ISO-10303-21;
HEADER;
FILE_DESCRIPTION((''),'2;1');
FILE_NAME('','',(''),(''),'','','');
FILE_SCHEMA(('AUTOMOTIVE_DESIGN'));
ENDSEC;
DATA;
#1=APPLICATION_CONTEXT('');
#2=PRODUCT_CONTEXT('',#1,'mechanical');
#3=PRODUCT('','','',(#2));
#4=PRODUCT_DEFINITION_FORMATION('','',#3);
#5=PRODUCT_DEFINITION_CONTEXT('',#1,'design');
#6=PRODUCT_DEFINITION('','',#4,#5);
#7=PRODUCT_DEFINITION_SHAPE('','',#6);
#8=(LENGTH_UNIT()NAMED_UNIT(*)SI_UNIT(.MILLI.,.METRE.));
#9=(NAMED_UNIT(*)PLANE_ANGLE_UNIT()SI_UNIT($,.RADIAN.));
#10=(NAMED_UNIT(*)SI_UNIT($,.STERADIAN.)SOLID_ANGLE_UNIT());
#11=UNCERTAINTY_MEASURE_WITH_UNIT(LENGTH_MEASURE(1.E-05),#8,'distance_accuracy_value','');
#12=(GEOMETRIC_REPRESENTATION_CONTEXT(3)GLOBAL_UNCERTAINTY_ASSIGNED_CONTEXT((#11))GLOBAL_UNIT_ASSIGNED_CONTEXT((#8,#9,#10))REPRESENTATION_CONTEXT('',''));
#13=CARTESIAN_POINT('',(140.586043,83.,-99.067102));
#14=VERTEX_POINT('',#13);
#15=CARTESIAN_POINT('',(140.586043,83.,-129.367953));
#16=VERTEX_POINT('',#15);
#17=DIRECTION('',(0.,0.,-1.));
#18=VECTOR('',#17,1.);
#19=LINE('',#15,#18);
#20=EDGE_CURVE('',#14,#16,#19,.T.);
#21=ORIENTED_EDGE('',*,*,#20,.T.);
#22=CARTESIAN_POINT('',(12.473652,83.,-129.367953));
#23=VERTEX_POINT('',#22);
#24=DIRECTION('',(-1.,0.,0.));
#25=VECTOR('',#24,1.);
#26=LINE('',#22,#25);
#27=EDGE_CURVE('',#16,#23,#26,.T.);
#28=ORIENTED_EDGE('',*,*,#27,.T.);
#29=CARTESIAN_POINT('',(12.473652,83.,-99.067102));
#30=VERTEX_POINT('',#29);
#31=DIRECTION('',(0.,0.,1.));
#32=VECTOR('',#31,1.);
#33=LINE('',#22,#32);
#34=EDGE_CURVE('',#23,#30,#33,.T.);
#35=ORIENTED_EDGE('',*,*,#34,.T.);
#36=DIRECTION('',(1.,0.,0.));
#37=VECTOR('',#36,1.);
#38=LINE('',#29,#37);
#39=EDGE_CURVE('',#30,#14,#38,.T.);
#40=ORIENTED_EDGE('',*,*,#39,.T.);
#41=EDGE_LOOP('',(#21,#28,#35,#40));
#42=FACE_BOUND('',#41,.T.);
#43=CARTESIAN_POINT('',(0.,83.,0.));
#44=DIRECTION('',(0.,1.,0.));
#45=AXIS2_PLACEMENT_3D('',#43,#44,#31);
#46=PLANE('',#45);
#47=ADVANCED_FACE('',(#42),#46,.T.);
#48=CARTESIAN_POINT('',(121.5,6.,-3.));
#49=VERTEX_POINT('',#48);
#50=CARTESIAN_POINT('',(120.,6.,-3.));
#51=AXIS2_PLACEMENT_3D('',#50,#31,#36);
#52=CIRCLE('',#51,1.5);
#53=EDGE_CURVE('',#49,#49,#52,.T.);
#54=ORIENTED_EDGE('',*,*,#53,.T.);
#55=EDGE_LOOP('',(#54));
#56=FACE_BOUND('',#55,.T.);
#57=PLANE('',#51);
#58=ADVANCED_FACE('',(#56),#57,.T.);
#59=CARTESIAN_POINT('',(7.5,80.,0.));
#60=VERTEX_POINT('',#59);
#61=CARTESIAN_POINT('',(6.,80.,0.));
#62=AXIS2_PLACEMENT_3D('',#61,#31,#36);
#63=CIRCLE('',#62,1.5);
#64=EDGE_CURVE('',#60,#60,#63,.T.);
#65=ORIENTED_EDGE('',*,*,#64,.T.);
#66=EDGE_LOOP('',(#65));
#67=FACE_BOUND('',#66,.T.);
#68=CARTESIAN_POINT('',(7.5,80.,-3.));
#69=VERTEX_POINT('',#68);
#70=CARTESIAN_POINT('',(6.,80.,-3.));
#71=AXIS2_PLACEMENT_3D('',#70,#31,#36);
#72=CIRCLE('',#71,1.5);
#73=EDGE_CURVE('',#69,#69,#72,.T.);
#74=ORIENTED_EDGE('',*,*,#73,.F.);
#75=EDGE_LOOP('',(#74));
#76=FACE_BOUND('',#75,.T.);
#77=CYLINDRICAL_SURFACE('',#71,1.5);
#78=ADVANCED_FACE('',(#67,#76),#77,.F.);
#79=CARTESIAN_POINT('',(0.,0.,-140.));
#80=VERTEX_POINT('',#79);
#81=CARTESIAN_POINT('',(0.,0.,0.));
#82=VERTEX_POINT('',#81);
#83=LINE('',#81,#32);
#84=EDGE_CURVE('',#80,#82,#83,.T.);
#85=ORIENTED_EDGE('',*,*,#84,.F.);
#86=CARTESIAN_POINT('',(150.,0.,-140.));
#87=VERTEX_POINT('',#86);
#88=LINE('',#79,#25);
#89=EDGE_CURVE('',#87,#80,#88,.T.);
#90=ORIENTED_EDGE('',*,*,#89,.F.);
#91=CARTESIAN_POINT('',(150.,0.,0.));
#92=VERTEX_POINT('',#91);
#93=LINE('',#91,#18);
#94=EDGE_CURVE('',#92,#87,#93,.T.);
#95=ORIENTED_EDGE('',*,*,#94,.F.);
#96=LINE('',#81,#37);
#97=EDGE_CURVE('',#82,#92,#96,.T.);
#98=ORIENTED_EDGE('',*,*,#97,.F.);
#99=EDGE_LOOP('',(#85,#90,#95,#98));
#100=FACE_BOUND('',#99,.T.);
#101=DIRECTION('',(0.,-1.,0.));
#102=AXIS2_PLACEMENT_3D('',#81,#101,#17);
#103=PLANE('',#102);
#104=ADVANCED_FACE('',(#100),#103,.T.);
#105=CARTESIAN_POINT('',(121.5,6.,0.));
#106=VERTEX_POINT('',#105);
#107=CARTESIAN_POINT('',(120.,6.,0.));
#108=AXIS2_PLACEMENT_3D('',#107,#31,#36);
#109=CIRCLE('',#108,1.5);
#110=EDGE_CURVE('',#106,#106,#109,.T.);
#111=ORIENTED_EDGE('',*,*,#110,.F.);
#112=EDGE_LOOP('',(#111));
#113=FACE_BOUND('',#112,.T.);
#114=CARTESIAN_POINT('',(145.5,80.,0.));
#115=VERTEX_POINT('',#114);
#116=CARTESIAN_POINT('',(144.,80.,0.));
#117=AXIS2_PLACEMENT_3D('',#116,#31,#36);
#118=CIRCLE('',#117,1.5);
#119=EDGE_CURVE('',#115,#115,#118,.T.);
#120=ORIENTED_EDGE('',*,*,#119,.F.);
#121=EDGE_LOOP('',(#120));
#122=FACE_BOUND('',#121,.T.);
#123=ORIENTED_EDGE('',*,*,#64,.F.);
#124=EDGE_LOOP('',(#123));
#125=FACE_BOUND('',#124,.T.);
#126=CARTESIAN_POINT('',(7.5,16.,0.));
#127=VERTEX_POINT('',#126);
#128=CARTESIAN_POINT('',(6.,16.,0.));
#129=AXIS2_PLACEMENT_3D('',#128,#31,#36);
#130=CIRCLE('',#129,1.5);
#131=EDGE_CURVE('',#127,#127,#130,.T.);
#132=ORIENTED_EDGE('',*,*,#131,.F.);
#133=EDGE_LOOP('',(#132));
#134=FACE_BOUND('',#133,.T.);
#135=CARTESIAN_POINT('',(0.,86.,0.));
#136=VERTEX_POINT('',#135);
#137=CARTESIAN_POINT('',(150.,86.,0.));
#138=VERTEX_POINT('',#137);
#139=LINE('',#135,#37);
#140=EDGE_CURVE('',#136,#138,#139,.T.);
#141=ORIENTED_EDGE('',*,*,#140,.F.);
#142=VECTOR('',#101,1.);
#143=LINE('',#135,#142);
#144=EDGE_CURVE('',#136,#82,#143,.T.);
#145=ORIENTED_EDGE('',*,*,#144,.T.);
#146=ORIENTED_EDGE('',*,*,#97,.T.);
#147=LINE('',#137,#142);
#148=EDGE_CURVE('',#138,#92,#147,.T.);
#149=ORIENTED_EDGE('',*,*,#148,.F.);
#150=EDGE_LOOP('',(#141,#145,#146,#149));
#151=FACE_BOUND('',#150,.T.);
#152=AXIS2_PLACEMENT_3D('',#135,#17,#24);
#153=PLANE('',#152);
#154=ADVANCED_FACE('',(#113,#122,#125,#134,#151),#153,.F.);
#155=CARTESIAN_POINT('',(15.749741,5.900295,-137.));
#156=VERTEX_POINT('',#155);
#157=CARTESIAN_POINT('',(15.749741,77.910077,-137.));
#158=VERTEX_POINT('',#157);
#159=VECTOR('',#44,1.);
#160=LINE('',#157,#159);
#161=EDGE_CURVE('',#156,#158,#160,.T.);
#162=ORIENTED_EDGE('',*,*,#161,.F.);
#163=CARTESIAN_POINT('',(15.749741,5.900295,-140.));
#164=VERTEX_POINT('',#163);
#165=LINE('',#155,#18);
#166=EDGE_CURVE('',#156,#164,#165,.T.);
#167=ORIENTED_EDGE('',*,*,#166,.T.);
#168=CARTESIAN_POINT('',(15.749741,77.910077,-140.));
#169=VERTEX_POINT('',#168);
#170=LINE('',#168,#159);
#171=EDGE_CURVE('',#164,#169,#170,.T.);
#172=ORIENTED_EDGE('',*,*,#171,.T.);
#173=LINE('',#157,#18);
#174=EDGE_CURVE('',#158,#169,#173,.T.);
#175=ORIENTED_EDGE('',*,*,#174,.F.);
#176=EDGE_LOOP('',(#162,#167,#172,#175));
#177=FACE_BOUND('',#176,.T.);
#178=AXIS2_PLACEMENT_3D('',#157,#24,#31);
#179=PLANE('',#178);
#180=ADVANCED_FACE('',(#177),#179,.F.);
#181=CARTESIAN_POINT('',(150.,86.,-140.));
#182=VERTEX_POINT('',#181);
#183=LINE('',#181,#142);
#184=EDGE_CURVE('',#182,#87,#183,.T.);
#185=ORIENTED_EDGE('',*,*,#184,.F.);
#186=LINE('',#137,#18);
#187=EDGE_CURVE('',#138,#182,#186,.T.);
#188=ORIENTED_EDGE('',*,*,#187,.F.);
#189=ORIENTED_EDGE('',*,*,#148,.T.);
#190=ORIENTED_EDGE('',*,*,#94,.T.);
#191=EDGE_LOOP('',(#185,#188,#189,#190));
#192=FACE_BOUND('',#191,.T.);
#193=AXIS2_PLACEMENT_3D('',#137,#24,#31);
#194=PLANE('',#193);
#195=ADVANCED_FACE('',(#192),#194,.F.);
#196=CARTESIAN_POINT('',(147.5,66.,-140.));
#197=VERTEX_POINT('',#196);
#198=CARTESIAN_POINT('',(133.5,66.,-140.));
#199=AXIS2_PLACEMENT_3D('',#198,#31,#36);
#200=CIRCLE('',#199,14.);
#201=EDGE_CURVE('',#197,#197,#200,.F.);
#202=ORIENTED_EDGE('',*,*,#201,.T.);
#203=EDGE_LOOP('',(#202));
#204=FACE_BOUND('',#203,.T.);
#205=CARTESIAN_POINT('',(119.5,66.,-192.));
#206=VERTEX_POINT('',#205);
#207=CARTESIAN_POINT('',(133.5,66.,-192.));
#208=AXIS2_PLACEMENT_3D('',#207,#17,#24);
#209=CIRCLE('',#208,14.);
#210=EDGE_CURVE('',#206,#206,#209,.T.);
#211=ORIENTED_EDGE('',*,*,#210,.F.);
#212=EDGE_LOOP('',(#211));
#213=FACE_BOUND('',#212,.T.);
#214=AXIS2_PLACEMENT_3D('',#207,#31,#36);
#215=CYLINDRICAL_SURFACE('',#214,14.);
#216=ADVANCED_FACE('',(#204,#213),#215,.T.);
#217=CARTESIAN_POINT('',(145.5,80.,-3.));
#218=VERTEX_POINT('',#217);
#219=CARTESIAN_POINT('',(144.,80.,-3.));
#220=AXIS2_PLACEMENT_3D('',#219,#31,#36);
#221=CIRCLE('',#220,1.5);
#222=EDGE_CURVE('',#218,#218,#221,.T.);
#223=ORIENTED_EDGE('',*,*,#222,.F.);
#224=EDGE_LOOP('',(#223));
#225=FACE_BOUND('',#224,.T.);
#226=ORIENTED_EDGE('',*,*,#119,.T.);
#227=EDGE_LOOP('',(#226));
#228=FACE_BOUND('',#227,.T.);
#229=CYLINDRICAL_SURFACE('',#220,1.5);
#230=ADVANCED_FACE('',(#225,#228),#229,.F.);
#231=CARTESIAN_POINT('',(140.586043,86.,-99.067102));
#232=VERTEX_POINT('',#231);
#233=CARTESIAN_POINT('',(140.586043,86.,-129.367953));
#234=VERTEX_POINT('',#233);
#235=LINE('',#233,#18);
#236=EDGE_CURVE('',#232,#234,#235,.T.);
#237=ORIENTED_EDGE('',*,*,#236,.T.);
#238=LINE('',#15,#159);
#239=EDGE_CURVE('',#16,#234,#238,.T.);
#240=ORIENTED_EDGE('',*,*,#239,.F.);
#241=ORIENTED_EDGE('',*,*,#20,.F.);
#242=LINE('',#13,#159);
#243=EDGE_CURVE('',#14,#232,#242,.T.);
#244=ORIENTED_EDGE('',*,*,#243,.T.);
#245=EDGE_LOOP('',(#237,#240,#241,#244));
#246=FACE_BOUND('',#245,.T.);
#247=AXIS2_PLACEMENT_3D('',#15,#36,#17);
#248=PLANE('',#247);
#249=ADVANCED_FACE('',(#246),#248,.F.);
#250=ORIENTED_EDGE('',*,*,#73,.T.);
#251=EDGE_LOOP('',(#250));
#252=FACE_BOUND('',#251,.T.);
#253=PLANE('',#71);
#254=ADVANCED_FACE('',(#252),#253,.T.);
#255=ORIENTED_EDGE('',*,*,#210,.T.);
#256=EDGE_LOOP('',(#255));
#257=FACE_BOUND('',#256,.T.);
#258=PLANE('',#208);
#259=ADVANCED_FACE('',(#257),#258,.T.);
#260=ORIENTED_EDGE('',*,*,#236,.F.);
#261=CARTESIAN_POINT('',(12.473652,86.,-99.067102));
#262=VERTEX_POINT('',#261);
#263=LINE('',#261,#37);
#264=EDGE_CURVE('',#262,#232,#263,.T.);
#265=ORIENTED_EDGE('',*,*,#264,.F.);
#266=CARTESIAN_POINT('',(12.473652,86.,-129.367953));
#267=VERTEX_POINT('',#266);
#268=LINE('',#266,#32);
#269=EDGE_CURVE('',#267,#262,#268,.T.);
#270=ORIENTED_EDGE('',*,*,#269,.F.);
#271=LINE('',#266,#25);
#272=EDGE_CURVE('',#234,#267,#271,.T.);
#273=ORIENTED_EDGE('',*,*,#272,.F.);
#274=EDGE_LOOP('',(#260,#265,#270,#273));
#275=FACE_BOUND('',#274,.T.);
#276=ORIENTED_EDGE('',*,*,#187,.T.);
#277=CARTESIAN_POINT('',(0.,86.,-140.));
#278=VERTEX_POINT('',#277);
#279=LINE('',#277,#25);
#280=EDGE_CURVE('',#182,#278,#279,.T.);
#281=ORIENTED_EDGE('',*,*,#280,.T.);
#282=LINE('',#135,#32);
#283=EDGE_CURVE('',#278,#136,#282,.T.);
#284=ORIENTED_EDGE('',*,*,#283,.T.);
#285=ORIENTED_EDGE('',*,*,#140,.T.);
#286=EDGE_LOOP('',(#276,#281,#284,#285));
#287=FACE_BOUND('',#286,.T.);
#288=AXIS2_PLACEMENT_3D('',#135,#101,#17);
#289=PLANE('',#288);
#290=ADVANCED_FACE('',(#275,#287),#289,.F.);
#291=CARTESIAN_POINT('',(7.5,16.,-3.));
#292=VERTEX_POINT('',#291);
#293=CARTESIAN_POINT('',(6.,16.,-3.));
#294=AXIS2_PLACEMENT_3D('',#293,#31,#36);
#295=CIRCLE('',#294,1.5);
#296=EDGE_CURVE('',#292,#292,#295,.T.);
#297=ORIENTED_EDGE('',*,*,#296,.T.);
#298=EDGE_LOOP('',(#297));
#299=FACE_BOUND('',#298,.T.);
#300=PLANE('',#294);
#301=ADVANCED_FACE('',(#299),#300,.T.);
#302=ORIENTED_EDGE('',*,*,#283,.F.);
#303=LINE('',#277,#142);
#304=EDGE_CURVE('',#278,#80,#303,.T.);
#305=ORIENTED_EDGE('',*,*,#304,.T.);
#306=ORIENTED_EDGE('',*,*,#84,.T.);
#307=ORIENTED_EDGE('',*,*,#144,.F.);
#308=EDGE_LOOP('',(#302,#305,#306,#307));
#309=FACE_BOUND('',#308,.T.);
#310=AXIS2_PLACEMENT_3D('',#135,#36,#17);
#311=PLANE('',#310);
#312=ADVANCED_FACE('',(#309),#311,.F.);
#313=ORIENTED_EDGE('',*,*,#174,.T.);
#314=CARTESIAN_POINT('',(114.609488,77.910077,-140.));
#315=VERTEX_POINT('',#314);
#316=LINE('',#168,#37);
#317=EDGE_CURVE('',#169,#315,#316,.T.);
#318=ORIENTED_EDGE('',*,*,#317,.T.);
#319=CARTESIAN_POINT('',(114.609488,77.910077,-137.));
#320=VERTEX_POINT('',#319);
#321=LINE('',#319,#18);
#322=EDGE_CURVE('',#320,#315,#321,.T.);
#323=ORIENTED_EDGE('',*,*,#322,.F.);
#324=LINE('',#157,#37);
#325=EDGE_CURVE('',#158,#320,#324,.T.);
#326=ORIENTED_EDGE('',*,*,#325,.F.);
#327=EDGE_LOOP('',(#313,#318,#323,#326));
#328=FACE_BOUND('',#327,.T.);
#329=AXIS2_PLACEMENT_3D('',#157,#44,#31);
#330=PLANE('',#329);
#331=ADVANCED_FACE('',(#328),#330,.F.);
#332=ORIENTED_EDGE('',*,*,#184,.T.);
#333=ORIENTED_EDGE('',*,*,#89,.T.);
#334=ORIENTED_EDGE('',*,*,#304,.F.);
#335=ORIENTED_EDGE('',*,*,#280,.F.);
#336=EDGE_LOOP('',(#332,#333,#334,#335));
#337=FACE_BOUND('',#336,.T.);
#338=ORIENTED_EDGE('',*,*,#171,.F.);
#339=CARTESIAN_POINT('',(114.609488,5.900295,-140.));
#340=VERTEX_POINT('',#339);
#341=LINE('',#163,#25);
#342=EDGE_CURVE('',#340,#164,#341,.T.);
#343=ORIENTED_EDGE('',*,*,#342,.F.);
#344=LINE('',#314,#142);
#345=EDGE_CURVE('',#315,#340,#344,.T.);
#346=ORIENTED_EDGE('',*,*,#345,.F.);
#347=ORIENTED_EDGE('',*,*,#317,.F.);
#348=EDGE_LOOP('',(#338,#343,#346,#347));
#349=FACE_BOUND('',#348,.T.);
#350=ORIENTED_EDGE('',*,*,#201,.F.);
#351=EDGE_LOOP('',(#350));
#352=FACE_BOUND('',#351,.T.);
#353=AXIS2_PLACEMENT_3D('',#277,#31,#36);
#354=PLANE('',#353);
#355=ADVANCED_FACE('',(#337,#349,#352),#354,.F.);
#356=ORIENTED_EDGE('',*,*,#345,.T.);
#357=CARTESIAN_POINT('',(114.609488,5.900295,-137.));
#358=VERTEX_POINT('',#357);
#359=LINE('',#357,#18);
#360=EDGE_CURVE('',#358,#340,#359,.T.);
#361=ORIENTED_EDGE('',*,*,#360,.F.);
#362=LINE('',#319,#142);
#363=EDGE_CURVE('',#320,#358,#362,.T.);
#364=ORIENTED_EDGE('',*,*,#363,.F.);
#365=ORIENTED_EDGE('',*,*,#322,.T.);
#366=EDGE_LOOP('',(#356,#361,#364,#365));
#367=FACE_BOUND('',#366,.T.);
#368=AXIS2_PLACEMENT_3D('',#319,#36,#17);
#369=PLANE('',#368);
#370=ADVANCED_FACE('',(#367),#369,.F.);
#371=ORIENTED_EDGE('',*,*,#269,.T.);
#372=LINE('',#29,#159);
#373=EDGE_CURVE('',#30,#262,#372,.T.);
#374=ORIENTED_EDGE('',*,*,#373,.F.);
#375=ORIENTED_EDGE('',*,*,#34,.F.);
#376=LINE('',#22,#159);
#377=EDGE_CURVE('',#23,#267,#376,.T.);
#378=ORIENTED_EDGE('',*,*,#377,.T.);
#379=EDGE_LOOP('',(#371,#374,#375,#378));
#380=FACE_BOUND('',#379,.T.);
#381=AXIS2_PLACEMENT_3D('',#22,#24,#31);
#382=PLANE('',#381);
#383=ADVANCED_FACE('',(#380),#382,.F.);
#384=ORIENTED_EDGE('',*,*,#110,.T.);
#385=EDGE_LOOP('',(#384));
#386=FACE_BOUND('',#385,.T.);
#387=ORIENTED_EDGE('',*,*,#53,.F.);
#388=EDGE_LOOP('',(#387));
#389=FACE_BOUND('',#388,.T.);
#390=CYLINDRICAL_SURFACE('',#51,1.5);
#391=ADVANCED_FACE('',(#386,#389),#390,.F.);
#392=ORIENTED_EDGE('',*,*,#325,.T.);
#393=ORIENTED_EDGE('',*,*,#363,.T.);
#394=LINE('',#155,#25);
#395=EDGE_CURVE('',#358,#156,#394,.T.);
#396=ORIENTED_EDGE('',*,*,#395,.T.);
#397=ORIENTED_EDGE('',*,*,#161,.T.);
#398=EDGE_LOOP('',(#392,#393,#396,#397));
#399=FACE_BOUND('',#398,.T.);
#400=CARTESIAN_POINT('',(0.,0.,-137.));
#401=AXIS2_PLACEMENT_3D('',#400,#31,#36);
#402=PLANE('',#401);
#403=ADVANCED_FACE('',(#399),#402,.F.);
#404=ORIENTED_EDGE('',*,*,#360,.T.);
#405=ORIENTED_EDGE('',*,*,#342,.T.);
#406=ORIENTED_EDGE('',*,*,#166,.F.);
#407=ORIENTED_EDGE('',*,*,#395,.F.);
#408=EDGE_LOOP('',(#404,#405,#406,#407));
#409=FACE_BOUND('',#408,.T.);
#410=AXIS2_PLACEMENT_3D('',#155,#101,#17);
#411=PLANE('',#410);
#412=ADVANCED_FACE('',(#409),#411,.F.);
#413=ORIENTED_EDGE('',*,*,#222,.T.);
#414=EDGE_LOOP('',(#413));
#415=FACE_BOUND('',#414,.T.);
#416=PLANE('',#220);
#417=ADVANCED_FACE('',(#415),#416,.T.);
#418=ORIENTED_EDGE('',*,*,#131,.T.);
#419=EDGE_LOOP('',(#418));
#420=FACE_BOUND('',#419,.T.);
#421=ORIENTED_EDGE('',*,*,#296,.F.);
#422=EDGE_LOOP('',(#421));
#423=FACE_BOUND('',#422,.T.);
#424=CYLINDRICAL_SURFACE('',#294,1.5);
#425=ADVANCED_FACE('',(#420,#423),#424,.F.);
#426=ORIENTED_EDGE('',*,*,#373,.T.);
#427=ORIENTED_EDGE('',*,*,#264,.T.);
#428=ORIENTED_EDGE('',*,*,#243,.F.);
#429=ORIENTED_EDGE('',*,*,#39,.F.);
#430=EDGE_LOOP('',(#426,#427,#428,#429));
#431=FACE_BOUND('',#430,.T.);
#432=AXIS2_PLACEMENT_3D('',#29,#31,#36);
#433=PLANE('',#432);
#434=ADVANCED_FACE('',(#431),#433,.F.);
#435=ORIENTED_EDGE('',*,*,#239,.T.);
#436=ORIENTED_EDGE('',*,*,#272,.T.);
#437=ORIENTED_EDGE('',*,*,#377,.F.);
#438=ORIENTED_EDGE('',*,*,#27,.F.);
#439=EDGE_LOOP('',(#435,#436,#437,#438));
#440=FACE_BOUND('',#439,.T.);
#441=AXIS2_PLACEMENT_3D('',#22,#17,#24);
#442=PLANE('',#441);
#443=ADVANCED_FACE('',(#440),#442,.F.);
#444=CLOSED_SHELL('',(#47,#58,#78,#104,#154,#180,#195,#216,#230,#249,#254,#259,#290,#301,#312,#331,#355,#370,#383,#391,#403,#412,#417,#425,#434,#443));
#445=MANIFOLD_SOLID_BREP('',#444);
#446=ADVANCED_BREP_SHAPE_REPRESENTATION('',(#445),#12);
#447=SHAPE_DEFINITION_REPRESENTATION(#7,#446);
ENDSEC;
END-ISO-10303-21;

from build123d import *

# Parameters (mm, degrees)
SKETCH1_W           = 150
SKETCH1_H           = 140
BOSS_EXTRUDE1_DEPTH = 86
SKETCH2_R           = 1.5
CUT_EXTRUDE1_DEPTH  = 3
BOTTOM_VENT_W       = 128.112390575
BOTTOM_VENT_H       = 30.300850467
CUT_EXTRUDE2_DEPTH  = 3
SKETCH4_R           = 14
BOSS_EXTRUDE2_DEPTH = 52
SKETCH5_W           = 98.859747303
SKETCH5_H           = 72.009781986
CUT_EXTRUDE3_DEPTH  = 3


with BuildPart() as part:
    # Sketch1 → Boss-Extrude1 (new body)
    with BuildSketch(Plane(origin=(0, 0, 0), x_dir=(1, 0, 0), z_dir=(0, 1, 0))):
        with Locations((75, 70)):
            Rectangle(SKETCH1_W, SKETCH1_H)
    extrude(amount=BOSS_EXTRUDE1_DEPTH)

    # Sketch2 → Cut-Extrude1 (cut)
    with BuildSketch(Plane.XY):
        with Locations((6, 80)):
            Circle(SKETCH2_R)
        with Locations((6, 16)):
            Circle(SKETCH2_R)
        with Locations((120, 6)):
            Circle(SKETCH2_R)
        with Locations((144, 80)):
            Circle(SKETCH2_R)
    extrude(amount=-CUT_EXTRUDE1_DEPTH, mode=Mode.SUBTRACT)

    # bottom vent → Cut-Extrude2 (cut)
    with BuildSketch(Plane(origin=(0, 86, 0), x_dir=(1, 0, 0), z_dir=(0, 1, 0))):
        with Locations((76.529847499, 114.217527718)):
            Rectangle(BOTTOM_VENT_W, BOTTOM_VENT_H)
    extrude(amount=-CUT_EXTRUDE2_DEPTH, mode=Mode.SUBTRACT)

    # Sketch4 → Boss-Extrude2 (add)
    with BuildSketch(Plane(origin=(0, 0, -140), x_dir=(-1, 0, 0), z_dir=(0, 0, -1))):
        with Locations((-133.5, 66)):
            Circle(SKETCH4_R)
    extrude(amount=BOSS_EXTRUDE2_DEPTH)

    # Sketch5 → Cut-Extrude3 (cut)
    with BuildSketch(Plane(origin=(0, 0, -140), x_dir=(-1, 0, 0), z_dir=(0, 0, -1))):
        with Locations((-65.179614688, 41.905186472)):
            Rectangle(SKETCH5_W, SKETCH5_H)
    extrude(amount=-CUT_EXTRUDE3_DEPTH, mode=Mode.SUBTRACT)


solid = part.part
